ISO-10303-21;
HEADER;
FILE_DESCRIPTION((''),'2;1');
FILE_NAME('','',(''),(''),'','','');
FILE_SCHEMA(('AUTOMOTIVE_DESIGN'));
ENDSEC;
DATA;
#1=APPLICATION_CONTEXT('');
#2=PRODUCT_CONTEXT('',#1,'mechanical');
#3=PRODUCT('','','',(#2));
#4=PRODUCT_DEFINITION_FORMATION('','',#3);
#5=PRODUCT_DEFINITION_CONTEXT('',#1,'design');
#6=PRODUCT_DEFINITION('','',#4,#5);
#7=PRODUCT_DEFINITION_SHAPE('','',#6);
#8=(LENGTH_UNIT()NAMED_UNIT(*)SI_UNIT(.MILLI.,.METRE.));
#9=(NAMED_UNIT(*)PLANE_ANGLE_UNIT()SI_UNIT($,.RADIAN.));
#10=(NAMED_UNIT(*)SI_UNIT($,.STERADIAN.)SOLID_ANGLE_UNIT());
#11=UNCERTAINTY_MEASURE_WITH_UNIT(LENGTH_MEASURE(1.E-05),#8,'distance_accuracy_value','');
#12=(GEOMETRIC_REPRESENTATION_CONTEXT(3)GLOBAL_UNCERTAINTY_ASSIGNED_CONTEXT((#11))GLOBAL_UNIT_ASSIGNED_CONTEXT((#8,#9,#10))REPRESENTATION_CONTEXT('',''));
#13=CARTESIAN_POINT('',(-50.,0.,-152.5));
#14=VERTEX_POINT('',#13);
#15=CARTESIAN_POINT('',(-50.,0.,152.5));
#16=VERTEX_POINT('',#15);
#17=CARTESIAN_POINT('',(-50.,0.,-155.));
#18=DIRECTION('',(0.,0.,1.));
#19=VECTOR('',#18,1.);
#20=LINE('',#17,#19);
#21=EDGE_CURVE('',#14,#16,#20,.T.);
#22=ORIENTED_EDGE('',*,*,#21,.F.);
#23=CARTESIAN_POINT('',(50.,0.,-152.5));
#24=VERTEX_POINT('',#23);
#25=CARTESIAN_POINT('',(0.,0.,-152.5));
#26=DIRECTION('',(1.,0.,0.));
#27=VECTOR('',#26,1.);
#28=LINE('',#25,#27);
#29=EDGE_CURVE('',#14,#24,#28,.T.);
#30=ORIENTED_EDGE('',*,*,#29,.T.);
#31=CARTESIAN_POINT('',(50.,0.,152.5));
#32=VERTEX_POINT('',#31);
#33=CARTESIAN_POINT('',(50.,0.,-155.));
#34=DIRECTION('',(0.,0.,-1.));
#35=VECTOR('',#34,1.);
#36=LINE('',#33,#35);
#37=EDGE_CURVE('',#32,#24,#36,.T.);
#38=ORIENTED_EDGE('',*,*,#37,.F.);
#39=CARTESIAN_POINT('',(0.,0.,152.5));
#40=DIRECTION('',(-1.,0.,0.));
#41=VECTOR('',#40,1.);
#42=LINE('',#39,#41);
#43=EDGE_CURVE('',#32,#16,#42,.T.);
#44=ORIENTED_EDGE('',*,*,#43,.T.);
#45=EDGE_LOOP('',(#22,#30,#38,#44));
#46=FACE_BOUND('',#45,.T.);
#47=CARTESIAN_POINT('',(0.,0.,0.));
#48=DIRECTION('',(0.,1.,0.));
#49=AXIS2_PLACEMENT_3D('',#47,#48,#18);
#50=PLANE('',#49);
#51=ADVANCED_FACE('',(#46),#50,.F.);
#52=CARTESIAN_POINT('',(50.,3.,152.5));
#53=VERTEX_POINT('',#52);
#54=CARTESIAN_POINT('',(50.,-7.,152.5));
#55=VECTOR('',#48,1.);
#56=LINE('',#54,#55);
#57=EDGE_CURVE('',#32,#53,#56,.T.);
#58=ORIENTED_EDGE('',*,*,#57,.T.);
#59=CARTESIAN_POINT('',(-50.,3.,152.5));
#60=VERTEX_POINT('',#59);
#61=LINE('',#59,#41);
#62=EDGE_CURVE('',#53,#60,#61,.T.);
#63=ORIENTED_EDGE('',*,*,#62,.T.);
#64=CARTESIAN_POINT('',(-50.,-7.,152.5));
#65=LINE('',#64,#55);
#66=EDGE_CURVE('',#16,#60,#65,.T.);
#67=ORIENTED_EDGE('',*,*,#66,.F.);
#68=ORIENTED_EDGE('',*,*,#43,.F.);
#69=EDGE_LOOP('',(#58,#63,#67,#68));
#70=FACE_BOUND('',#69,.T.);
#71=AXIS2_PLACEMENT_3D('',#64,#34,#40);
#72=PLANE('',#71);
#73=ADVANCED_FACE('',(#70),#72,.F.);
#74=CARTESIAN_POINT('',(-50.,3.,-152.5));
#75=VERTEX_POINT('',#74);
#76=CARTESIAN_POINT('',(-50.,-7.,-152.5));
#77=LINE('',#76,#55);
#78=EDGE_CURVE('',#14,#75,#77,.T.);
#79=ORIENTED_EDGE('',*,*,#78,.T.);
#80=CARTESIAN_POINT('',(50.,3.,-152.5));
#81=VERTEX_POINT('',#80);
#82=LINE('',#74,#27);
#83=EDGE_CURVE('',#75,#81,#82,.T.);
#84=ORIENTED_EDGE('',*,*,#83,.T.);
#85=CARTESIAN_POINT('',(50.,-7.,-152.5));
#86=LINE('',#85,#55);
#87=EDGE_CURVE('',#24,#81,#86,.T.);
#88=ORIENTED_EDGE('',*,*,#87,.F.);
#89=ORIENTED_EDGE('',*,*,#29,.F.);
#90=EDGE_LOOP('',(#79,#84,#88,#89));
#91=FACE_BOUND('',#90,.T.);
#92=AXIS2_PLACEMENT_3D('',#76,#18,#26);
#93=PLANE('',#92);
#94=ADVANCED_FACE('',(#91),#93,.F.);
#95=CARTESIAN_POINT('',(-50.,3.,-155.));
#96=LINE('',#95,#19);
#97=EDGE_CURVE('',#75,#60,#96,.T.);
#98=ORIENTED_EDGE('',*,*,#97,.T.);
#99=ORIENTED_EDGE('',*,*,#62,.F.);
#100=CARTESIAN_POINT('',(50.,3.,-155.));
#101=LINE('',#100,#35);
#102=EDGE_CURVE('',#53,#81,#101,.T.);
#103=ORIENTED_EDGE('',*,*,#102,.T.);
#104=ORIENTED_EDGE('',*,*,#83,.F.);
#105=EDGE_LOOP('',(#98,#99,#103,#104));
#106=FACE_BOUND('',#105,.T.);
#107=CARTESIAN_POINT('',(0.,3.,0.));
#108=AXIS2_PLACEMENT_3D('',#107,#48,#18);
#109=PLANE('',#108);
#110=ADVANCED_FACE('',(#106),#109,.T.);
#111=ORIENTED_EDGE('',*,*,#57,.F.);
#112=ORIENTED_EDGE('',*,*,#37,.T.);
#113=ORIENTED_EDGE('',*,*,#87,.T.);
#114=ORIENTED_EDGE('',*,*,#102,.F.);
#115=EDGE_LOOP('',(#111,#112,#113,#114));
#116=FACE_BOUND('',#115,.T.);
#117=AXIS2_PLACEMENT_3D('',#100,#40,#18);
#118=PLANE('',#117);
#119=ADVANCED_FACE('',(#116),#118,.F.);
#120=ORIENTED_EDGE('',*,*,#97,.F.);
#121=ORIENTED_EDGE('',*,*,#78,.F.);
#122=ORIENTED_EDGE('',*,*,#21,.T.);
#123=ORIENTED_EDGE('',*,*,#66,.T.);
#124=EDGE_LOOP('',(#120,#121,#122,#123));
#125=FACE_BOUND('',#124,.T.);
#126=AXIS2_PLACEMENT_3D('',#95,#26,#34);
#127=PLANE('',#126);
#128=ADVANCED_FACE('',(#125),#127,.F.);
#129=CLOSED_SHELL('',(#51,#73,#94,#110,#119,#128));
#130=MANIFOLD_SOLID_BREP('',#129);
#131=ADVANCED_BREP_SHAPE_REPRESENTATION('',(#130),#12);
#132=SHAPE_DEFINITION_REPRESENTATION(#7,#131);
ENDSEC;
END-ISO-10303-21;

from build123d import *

# Parameters (mm, degrees)
CROQUIS1_W              = 100
CROQUIS1_H              = 310
SALIENTE_EXTRUIR1_DEPTH = 3
CROQUIS2_W              = 100
CROQUIS2_H              = 2.5
CORTAR_EXTRUIR1_DEPTH   = 10


with BuildPart() as part:
    # Croquis1 → Saliente-Extruir1 (new body)
    with BuildSketch(Plane(origin=(0, 0, 0), x_dir=(1, 0, 0), z_dir=(0, 1, 0))):
        Rectangle(CROQUIS1_W, CROQUIS1_H)
    extrude(amount=SALIENTE_EXTRUIR1_DEPTH)

    # Croquis2 → Cortar-Extruir1 (cut)
    with BuildSketch(Plane(origin=(0, 3, 0), x_dir=(1, 0, 0), z_dir=(0, 1, 0))):
        with Locations((0, 153.75)):
            Rectangle(CROQUIS2_W, CROQUIS2_H)
        with Locations((0, -153.75)):
            Rectangle(CROQUIS2_W, CROQUIS2_H)
    extrude(amount=-CORTAR_EXTRUIR1_DEPTH, mode=Mode.SUBTRACT)


solid = part.part
